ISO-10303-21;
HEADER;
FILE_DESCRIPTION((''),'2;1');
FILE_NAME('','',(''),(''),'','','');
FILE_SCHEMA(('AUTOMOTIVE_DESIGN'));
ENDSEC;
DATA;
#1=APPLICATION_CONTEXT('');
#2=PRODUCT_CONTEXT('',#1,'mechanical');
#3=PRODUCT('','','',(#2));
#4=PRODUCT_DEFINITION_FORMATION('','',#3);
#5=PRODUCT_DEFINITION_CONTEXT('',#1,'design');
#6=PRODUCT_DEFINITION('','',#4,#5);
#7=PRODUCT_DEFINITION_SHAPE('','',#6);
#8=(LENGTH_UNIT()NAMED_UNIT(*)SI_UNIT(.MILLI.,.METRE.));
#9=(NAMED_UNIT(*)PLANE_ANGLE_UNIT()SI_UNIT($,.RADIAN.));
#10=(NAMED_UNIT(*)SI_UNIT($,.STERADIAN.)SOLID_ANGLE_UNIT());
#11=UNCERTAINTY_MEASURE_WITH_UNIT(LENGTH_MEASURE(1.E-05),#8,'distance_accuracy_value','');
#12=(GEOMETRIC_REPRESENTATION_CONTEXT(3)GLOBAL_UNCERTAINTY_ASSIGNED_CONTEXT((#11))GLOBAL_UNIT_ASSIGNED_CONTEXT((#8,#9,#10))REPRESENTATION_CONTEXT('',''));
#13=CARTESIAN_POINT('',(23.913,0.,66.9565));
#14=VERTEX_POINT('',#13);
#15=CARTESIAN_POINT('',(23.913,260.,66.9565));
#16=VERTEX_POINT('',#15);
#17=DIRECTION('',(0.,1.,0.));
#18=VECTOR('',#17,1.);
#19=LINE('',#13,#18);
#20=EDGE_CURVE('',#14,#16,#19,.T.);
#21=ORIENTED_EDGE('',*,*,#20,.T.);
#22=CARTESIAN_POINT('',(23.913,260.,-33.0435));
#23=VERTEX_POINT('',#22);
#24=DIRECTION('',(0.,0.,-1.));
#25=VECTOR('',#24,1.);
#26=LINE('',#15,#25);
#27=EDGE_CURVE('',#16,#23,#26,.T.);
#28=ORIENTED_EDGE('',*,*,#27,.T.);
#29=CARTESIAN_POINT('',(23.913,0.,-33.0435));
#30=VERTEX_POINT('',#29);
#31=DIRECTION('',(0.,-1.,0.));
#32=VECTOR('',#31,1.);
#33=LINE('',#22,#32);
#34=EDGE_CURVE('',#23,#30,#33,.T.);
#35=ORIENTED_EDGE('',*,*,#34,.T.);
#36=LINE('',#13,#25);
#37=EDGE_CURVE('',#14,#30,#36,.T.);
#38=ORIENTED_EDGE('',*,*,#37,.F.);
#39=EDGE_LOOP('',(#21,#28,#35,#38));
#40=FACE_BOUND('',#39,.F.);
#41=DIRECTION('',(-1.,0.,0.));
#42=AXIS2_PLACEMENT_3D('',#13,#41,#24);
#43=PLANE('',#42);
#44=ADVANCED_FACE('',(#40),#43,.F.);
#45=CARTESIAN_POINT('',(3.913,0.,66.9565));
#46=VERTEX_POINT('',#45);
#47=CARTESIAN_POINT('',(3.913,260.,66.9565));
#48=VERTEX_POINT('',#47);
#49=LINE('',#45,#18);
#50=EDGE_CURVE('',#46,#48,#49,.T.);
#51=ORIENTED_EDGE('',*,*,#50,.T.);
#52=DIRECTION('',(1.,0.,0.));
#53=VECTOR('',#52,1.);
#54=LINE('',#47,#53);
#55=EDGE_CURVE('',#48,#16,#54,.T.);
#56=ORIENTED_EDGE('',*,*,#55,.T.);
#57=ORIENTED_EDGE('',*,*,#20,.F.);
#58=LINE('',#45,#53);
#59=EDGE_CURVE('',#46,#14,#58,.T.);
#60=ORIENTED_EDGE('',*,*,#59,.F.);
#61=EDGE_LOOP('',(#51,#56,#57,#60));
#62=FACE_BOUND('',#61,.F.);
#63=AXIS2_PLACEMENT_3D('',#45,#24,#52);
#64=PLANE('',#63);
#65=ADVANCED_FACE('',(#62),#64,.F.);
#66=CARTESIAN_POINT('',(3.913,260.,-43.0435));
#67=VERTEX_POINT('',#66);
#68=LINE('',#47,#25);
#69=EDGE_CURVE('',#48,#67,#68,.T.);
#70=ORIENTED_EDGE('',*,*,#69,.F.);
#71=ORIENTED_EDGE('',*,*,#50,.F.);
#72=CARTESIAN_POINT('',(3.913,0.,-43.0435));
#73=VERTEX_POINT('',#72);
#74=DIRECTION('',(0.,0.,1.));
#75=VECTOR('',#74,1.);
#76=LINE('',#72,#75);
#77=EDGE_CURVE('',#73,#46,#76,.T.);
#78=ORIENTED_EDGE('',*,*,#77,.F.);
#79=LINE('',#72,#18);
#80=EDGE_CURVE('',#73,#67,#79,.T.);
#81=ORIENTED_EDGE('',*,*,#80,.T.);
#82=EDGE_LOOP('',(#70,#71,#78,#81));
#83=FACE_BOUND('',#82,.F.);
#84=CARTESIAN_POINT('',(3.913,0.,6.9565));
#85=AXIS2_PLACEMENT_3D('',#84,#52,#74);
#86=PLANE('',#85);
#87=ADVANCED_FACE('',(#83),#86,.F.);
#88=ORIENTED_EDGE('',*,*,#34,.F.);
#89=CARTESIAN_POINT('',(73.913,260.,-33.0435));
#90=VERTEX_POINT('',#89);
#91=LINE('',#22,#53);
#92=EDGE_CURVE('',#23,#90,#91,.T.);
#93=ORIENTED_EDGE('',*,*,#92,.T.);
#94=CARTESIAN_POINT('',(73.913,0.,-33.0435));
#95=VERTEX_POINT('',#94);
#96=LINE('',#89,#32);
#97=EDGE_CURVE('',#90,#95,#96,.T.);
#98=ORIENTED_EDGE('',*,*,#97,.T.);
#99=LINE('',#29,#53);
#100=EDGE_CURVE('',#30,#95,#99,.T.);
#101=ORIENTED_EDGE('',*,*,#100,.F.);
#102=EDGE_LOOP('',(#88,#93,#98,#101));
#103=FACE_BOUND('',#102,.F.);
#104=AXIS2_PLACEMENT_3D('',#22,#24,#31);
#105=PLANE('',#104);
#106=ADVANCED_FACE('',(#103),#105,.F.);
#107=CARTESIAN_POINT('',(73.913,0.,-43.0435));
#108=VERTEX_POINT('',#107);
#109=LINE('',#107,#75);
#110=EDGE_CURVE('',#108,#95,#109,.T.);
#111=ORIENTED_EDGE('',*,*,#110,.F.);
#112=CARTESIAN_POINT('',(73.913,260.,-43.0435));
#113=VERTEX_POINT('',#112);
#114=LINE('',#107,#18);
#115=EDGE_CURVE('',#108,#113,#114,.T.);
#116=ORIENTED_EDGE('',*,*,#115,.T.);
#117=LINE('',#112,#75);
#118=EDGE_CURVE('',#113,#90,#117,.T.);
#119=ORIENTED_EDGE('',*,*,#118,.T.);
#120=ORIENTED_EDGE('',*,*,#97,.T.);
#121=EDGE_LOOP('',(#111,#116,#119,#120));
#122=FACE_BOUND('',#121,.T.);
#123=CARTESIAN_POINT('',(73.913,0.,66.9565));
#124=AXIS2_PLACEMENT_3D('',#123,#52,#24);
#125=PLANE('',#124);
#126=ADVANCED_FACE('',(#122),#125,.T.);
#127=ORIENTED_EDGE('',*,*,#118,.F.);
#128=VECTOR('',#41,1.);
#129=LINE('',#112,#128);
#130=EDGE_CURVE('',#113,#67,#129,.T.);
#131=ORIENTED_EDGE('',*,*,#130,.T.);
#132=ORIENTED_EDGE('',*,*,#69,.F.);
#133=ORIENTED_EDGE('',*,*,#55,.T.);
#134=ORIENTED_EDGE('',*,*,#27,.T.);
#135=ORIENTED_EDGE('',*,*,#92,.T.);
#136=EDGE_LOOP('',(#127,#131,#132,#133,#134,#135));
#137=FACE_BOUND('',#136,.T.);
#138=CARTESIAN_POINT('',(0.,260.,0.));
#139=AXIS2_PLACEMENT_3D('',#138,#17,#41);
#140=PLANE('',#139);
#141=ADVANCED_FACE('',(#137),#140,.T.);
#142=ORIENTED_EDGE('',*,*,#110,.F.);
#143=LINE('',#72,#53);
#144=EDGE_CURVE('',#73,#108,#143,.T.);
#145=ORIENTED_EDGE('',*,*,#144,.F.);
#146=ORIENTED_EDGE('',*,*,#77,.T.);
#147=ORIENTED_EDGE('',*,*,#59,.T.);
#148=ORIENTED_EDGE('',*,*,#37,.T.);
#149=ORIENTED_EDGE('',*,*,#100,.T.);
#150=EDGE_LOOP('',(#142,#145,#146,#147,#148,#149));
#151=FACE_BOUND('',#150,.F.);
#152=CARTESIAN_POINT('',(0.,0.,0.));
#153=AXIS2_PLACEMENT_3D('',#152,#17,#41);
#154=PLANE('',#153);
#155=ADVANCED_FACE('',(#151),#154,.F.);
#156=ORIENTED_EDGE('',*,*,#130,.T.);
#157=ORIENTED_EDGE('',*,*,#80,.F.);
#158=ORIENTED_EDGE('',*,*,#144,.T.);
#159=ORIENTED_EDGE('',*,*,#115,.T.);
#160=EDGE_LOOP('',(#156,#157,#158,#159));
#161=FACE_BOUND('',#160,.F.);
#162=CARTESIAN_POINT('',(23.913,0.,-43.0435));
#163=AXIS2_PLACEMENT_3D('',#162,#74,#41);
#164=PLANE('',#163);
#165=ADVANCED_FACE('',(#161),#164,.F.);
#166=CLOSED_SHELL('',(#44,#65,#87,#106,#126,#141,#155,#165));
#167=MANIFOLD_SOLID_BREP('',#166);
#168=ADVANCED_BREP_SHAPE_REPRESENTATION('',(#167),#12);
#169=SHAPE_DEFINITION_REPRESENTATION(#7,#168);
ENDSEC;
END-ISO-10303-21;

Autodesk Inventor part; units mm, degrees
ref_plane "YZ Plane" through (0, 0, 0) normal (1, 0, 0) x (0, 1, 0)
ref_plane "XZ Plane" through (0, 0, 0) normal (0, 1, 0) x (-1, 0, 0)
ref_plane "XY Plane" through (0, 0, 0) normal (0, 0, 1) x (1, 0, 0)
sketch "Sketch1" plane through (0, 0, 0) normal (0, 1, 0) x (-1, 0, 0)
  line L0 (-3.913, 66.9565) -> (-23.913, 66.9565)
  line L1 (-23.913, 66.9565) -> (-23.913, -43.0435)
  line L2 (-23.913, -43.0435) -> (-3.913, -43.0435)
  line L3 (-3.913, -43.0435) -> (-3.913, 66.9565)
  line L4 (53.6957, 6.9565) -> (-3.913, 6.9565)
  line L5 (-3.913, 6.9565) -> (-3.913, -18.0435)
  line L6 (-3.913, -18.0435) -> (48.6957, -18.0435)
  point P0 (0, 0)
  dimension "d0" = 110
  dimension "d1" = 20
  dimension "d3" = 60
extrude "Extrusion1" add sketch "Sketch1" along normal blind 260
chamfer "Chamfer1" [suppressed]
sketch "Sketch2" plane through (23.913, 0, 66.9565) normal (1, 0, 0) x (0, 0, -1)
  line L0 (110, 0) -> (110, 260) projected
  line L1 (110, 0) -> (0, 0) projected
  line L2 (110, 260) -> (100, 260)
  line L3 (100, 260) -> (100, 0)
  line L4 (100, 0) -> (110, 0)
  line L5 (110, 0) -> (110, 260)
  point P0 (100, 260)
  dimension "d9" = 10
extrude "Extrusion2" add sketch "Sketch2" along normal blind 50
sketch "Sketch4" plane through (3.913, 0, 66.9565) normal (0, 0, 1) x (1, 0, 0)
  circle A0 centre (60, 232) radius 84.5704
  point P0 (-3.913, 0)
extrude "Extrusion4" [suppressed]
sketch "Sketch5" plane through (3.913, 0, -15.0435) normal (0, 0, 1) x (1, 0, 0)
  arc A0 (0, 172.4) -> (15.6361, 160) centre (60, 232) ccw projected
  circle A1 centre (60, 232) radius 37.4531
  point P0 (-3.913, 0)
  point P1 (20, 162.1931)
extrude "Extrusion5" [suppressed]
properties part number "SecondSpindleOsnova" material "Aluminum 6061-AHC"
